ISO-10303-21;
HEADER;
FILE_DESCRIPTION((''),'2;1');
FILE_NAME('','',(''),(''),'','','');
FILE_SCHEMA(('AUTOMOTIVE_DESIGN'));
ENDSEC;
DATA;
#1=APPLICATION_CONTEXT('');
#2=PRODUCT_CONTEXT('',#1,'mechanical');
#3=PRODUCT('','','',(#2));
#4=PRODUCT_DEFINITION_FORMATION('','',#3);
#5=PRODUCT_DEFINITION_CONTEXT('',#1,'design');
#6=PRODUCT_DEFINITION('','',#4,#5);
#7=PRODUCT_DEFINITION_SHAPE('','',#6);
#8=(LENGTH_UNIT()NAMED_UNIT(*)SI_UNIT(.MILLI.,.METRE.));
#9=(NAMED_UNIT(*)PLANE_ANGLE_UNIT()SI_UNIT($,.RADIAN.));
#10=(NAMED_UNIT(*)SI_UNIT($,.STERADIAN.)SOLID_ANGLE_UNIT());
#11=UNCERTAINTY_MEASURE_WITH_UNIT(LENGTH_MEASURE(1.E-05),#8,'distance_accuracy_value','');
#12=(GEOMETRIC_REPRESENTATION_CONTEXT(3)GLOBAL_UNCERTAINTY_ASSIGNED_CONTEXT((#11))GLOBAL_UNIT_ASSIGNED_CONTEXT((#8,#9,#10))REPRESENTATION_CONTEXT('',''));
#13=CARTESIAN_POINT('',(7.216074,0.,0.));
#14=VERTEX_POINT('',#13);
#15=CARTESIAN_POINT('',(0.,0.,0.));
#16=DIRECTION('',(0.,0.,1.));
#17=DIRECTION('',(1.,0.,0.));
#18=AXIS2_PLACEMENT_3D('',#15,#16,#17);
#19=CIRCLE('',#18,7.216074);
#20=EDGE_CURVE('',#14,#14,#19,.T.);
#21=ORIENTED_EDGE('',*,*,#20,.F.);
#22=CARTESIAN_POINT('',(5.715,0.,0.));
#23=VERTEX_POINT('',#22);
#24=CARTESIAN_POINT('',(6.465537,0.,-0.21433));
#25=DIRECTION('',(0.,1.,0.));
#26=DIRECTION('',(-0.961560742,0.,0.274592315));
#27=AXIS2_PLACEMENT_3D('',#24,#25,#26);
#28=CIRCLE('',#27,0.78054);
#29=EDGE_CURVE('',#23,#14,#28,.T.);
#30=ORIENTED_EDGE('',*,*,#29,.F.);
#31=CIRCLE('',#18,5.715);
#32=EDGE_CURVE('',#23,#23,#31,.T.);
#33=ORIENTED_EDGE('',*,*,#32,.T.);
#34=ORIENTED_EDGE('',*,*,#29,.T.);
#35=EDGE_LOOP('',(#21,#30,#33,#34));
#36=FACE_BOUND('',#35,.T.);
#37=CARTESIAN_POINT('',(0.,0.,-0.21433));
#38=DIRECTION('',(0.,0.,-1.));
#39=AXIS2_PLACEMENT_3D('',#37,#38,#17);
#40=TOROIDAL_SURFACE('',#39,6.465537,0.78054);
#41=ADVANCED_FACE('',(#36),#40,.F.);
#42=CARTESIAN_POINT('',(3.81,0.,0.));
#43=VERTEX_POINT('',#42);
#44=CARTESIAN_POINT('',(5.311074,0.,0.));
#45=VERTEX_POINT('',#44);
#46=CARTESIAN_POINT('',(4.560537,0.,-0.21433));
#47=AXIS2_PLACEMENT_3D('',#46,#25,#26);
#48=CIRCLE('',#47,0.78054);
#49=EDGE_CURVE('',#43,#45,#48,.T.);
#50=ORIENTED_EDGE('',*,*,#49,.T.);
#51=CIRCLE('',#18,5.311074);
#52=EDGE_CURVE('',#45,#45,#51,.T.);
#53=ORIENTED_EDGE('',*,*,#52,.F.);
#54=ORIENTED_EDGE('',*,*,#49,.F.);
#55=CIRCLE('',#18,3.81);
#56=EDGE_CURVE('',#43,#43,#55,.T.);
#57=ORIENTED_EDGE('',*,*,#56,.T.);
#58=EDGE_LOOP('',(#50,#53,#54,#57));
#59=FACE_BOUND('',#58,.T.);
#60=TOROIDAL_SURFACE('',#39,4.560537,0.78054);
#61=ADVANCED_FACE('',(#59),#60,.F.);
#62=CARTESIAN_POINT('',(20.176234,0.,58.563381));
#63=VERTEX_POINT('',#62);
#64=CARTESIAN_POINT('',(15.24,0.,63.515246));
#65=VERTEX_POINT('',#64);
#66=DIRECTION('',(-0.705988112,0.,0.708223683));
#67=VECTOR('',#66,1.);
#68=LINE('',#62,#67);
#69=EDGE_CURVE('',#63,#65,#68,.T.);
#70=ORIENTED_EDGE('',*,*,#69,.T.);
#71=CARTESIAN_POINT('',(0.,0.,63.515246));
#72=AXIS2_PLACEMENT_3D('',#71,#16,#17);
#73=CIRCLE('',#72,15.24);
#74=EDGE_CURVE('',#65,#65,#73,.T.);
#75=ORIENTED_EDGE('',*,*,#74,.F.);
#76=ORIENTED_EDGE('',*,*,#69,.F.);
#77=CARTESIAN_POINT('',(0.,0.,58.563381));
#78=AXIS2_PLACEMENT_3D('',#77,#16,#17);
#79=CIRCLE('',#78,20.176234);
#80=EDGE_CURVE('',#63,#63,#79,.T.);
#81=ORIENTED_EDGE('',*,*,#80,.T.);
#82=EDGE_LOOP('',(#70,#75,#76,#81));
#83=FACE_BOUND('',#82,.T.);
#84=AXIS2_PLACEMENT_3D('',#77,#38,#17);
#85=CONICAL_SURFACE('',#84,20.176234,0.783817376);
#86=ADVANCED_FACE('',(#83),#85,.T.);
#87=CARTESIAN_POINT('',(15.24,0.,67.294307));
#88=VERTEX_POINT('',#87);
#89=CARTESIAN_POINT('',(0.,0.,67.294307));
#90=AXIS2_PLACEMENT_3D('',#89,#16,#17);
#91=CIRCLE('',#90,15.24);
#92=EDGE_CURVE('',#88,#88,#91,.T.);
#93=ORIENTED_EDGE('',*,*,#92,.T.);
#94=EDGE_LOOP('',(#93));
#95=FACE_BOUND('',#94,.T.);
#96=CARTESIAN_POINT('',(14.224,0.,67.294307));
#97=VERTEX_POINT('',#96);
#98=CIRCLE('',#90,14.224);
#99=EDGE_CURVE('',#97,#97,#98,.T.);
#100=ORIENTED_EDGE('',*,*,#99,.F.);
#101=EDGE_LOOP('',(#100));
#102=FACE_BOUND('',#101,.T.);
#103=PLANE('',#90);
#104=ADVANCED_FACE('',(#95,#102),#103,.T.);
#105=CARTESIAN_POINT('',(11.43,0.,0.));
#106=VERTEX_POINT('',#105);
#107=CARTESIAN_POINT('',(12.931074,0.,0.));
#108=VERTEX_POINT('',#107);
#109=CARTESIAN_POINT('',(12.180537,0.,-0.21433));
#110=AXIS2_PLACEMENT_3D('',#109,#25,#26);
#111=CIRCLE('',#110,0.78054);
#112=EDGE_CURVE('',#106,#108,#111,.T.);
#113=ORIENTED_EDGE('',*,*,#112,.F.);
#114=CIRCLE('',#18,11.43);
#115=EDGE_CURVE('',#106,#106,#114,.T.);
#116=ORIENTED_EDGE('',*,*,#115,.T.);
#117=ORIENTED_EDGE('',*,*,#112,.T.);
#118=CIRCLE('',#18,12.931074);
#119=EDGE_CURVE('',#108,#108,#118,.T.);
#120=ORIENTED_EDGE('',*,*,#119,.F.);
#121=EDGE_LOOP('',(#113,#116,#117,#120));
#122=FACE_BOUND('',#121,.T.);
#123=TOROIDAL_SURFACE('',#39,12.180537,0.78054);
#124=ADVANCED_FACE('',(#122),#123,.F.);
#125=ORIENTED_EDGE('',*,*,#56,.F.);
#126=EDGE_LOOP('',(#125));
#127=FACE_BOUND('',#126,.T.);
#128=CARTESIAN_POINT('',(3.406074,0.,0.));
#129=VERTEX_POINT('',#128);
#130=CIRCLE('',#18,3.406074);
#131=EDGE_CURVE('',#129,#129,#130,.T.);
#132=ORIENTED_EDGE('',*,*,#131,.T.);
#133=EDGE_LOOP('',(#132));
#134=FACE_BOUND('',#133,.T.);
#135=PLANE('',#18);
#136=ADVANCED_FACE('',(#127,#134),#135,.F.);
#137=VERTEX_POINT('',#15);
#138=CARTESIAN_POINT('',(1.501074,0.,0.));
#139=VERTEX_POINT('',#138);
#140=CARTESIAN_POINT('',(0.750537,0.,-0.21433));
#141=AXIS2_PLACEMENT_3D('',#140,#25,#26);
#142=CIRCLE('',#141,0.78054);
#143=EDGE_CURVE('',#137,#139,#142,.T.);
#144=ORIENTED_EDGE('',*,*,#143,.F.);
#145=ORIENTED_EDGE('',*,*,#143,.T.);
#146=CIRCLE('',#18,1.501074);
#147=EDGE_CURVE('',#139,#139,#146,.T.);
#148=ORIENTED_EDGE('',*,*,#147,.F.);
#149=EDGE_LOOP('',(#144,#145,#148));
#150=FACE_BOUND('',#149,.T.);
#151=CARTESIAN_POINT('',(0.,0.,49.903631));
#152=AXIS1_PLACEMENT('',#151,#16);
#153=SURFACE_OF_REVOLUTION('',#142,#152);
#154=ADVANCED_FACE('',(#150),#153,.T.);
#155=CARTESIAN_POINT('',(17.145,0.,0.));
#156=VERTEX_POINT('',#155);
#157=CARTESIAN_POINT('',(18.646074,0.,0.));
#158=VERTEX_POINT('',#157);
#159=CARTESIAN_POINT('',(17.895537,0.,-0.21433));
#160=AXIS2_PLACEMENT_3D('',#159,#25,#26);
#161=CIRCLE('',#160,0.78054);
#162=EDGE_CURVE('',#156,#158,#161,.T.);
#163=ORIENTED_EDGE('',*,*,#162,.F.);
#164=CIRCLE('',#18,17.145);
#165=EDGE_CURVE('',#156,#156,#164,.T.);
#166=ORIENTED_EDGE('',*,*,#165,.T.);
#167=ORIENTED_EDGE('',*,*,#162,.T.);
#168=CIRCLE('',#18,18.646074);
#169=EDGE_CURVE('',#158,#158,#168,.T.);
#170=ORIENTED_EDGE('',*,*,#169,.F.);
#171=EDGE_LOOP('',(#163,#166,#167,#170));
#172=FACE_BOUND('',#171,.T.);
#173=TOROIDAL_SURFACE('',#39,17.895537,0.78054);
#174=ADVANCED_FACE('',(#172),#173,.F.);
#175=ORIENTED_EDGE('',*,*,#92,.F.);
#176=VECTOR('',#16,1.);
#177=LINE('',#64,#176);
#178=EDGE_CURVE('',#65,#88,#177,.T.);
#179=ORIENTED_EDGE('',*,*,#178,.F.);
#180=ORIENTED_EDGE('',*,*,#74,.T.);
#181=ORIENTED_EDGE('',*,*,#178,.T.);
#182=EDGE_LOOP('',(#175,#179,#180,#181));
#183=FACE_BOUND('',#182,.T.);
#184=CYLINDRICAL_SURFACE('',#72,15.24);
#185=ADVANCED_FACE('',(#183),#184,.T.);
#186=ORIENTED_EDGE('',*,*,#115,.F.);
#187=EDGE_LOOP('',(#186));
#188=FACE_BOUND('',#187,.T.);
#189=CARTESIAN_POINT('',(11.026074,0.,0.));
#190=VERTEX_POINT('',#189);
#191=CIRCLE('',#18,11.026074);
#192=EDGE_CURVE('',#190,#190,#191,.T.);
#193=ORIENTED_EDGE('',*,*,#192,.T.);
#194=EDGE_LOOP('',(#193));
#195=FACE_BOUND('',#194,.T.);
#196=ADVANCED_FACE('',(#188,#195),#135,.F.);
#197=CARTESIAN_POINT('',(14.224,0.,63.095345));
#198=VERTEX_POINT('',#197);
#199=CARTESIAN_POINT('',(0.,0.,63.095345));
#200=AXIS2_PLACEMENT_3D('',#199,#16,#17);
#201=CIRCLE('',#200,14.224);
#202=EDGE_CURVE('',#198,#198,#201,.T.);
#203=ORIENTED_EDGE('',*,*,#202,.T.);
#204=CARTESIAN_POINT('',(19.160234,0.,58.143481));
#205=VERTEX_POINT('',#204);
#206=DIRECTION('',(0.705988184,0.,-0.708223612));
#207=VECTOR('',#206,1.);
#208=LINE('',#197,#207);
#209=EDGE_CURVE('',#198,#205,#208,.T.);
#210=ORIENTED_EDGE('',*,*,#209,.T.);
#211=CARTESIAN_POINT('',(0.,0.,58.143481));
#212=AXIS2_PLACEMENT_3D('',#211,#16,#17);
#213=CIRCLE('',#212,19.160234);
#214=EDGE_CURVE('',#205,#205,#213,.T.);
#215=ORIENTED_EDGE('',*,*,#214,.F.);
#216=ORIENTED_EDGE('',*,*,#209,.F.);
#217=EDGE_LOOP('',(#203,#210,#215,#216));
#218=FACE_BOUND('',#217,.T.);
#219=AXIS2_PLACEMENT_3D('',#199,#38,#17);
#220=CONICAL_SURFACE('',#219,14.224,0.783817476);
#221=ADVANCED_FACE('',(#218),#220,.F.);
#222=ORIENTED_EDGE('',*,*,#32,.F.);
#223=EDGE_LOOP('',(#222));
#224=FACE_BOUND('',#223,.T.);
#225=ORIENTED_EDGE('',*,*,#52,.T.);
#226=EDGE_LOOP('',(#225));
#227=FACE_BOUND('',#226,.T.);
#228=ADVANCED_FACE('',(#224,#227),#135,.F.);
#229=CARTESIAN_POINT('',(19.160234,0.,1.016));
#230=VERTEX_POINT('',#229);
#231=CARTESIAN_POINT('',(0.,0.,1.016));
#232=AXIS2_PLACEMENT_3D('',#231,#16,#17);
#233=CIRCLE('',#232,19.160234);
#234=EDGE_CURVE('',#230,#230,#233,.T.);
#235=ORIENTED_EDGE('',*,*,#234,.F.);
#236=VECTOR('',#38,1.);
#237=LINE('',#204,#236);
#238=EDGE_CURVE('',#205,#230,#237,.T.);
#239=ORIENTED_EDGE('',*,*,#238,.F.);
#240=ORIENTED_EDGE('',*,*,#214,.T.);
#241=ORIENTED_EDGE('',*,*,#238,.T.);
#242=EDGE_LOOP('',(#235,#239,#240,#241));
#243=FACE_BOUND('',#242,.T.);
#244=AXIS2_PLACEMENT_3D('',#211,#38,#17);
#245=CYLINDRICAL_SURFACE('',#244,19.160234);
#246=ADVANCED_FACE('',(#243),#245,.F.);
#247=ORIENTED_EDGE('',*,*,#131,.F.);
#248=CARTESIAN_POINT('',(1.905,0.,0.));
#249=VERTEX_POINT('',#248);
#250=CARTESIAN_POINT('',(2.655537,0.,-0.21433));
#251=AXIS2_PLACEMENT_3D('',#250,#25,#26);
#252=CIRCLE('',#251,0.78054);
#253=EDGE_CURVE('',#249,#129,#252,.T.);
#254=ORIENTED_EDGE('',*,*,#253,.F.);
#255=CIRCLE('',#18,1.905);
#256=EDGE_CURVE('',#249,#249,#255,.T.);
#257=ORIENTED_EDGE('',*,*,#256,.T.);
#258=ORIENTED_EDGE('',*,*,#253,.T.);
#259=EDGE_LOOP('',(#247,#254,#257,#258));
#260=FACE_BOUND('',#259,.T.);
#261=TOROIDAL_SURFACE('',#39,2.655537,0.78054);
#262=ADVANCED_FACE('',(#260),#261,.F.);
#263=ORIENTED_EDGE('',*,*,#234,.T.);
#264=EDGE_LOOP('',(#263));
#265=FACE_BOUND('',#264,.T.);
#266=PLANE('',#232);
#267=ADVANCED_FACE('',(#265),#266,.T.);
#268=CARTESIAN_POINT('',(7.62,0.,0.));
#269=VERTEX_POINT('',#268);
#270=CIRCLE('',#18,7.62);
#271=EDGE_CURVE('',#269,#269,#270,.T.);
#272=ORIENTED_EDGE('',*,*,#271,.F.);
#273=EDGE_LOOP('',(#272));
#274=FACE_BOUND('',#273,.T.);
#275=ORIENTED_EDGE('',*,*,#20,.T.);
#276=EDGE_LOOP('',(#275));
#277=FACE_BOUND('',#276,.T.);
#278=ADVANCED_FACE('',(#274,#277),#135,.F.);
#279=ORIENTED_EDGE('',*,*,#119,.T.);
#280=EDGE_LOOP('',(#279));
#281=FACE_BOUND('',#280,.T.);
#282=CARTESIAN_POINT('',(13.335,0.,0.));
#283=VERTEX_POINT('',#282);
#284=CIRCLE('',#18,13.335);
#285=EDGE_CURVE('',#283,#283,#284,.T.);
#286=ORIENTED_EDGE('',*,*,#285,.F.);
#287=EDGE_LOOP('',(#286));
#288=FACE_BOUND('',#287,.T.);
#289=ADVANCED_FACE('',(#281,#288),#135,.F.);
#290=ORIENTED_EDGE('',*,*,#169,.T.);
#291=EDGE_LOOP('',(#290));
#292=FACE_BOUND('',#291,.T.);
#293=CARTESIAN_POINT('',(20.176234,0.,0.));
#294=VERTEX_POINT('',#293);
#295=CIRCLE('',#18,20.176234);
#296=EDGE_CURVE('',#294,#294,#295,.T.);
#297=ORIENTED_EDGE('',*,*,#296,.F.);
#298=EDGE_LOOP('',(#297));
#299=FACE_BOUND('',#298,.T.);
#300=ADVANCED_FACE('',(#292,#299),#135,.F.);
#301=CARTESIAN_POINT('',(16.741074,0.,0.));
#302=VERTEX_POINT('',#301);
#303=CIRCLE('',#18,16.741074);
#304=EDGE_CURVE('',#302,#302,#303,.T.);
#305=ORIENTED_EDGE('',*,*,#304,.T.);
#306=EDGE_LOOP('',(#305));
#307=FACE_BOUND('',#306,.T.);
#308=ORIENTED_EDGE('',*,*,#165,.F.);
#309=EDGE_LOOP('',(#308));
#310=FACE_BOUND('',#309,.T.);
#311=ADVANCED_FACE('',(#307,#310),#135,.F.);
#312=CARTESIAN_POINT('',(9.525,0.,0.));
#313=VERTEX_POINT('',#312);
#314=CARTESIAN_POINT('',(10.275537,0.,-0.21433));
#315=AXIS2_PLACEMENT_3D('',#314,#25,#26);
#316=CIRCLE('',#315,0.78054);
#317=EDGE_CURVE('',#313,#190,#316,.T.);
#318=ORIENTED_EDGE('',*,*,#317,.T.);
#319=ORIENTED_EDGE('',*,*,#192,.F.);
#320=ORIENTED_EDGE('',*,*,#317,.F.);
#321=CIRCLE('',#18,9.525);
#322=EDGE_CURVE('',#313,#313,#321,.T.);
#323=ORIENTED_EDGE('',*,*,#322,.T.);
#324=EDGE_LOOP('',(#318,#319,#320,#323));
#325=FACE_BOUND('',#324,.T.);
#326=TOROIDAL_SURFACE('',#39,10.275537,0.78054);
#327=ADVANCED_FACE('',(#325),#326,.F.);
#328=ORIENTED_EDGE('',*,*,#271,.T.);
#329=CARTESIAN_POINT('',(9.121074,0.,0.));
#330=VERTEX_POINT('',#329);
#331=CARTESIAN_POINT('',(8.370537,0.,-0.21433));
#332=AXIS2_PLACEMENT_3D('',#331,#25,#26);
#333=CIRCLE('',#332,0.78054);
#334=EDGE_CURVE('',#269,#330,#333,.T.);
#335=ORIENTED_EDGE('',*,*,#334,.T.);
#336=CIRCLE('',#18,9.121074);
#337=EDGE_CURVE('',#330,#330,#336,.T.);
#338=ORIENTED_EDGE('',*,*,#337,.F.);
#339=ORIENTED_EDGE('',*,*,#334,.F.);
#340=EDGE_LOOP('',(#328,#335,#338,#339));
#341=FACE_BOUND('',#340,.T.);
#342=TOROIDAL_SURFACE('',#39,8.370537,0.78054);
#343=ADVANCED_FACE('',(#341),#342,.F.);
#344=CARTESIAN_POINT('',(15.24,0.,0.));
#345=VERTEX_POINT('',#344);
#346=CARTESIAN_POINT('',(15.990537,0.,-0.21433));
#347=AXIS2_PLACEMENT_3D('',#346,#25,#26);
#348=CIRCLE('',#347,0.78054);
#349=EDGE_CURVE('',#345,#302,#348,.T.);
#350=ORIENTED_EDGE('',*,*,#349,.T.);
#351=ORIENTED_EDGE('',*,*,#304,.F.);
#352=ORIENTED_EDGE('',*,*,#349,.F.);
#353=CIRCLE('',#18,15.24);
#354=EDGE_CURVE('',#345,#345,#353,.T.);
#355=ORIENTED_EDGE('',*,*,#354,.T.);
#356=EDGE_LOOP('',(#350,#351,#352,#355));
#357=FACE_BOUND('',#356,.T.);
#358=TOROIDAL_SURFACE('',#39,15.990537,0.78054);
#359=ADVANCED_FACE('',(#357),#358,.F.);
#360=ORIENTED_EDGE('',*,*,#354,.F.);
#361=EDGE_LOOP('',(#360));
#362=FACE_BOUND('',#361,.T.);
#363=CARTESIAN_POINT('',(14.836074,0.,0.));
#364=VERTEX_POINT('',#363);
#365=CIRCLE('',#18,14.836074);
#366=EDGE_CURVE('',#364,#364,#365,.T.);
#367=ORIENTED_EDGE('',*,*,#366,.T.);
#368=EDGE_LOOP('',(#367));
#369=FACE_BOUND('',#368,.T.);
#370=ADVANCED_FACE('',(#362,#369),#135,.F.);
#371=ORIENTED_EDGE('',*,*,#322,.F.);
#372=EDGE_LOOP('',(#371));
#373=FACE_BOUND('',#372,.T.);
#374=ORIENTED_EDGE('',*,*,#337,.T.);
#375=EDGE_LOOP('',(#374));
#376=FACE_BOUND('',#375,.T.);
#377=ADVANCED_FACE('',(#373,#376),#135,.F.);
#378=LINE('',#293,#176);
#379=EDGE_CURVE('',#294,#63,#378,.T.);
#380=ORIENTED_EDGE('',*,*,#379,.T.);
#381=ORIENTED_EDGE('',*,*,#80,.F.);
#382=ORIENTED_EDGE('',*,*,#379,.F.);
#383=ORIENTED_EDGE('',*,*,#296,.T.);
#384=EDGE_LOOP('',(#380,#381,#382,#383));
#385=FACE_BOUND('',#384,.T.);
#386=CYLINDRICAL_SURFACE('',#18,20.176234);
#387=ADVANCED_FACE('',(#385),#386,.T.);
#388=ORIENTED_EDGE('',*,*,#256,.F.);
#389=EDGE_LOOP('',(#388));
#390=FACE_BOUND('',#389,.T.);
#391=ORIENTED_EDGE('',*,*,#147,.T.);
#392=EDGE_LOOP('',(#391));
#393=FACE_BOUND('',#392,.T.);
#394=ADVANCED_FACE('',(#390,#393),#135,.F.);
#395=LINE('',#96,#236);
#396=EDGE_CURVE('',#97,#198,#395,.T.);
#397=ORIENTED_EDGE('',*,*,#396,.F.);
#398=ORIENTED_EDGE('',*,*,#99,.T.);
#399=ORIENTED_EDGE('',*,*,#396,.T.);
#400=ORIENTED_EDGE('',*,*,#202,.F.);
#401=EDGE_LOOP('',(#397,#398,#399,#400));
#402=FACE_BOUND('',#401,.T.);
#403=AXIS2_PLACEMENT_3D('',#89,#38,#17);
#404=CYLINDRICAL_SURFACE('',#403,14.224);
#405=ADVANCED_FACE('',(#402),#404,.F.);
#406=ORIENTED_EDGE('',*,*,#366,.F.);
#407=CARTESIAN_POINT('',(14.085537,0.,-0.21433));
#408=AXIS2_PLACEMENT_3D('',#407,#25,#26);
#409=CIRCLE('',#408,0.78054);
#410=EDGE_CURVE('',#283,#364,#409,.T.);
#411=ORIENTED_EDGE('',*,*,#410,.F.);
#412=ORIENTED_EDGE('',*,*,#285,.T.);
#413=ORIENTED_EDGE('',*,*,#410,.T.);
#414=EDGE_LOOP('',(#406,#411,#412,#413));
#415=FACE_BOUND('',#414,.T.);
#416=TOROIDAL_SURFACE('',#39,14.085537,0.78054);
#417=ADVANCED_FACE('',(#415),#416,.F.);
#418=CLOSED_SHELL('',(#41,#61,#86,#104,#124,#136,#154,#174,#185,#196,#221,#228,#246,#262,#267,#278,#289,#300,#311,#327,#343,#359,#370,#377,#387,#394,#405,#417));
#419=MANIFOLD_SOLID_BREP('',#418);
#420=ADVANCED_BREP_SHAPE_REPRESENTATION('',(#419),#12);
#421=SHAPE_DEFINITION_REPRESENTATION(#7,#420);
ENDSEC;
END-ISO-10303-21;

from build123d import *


with BuildPart() as f1:
    # F0 (on Front) → F1 (revolve)
    with BuildSketch(Plane.XZ):
        with BuildLine():
            Line((0, 1.016), (0, 0))
            ThreePointArc((0, 0), (0.750537, 0.56621), (1.501074, 0))
            Line((1.501074, 0), (1.905, 0))
            ThreePointArc((1.905, 0), (2.655537, 0.56621), (3.406074, 0))
            Line((3.406074, 0), (3.81, 0))
            ThreePointArc((3.81, 0), (4.560537, 0.56621), (5.311074, 0))
            Line((5.311074, 0), (5.715, 0))
            ThreePointArc((5.715, 0), (6.465537, 0.56621), (7.216074, 0))
            Line((7.216074, 0), (7.62, 0))
            ThreePointArc((7.62, 0), (8.370537, 0.56621), (9.121074, 0))
            Line((9.121074, 0), (9.525, 0))
            ThreePointArc((9.525, 0), (10.275537, 0.56621), (11.026074, 0))
            Line((11.026074, 0), (11.43, 0))
            ThreePointArc((11.43, 0), (12.180537, 0.56621), (12.931074, 0))
            Line((12.931074, 0), (13.335, 0))
            ThreePointArc((13.335, 0), (14.085537, 0.56621), (14.836074, 0))
            Line((14.836074, 0), (15.24, 0))
            ThreePointArc((15.24, 0), (15.990537, 0.56621), (16.741074, 0))
            Line((16.741074, 0), (17.145, 0))
            ThreePointArc((17.145, 0), (17.895537, 0.56621), (18.646074, 0))
            Line((18.646074, 0), (20.176234, 0))
            Line((20.176234, 0), (20.176234, 58.563381))
            Line((20.176234, 58.563381), (15.24, 63.515246))
            Line((15.24, 63.515246), (15.24, 67.294307))
            Line((15.24, 67.294307), (14.224, 67.294307))
            Line((14.224, 67.294307), (14.224, 63.095345))
            Line((14.224, 63.095345), (19.160234, 58.143481))
            Line((19.160234, 58.143481), (19.160234, 1.016))
            Line((19.160234, 1.016), (15.24, 1.016))
            Line((15.24, 1.016), (0, 1.016))
        make_face()
    revolve(axis=Axis((0, 0, 49.903631), (0, 0, 1)))


solid = f1.part
